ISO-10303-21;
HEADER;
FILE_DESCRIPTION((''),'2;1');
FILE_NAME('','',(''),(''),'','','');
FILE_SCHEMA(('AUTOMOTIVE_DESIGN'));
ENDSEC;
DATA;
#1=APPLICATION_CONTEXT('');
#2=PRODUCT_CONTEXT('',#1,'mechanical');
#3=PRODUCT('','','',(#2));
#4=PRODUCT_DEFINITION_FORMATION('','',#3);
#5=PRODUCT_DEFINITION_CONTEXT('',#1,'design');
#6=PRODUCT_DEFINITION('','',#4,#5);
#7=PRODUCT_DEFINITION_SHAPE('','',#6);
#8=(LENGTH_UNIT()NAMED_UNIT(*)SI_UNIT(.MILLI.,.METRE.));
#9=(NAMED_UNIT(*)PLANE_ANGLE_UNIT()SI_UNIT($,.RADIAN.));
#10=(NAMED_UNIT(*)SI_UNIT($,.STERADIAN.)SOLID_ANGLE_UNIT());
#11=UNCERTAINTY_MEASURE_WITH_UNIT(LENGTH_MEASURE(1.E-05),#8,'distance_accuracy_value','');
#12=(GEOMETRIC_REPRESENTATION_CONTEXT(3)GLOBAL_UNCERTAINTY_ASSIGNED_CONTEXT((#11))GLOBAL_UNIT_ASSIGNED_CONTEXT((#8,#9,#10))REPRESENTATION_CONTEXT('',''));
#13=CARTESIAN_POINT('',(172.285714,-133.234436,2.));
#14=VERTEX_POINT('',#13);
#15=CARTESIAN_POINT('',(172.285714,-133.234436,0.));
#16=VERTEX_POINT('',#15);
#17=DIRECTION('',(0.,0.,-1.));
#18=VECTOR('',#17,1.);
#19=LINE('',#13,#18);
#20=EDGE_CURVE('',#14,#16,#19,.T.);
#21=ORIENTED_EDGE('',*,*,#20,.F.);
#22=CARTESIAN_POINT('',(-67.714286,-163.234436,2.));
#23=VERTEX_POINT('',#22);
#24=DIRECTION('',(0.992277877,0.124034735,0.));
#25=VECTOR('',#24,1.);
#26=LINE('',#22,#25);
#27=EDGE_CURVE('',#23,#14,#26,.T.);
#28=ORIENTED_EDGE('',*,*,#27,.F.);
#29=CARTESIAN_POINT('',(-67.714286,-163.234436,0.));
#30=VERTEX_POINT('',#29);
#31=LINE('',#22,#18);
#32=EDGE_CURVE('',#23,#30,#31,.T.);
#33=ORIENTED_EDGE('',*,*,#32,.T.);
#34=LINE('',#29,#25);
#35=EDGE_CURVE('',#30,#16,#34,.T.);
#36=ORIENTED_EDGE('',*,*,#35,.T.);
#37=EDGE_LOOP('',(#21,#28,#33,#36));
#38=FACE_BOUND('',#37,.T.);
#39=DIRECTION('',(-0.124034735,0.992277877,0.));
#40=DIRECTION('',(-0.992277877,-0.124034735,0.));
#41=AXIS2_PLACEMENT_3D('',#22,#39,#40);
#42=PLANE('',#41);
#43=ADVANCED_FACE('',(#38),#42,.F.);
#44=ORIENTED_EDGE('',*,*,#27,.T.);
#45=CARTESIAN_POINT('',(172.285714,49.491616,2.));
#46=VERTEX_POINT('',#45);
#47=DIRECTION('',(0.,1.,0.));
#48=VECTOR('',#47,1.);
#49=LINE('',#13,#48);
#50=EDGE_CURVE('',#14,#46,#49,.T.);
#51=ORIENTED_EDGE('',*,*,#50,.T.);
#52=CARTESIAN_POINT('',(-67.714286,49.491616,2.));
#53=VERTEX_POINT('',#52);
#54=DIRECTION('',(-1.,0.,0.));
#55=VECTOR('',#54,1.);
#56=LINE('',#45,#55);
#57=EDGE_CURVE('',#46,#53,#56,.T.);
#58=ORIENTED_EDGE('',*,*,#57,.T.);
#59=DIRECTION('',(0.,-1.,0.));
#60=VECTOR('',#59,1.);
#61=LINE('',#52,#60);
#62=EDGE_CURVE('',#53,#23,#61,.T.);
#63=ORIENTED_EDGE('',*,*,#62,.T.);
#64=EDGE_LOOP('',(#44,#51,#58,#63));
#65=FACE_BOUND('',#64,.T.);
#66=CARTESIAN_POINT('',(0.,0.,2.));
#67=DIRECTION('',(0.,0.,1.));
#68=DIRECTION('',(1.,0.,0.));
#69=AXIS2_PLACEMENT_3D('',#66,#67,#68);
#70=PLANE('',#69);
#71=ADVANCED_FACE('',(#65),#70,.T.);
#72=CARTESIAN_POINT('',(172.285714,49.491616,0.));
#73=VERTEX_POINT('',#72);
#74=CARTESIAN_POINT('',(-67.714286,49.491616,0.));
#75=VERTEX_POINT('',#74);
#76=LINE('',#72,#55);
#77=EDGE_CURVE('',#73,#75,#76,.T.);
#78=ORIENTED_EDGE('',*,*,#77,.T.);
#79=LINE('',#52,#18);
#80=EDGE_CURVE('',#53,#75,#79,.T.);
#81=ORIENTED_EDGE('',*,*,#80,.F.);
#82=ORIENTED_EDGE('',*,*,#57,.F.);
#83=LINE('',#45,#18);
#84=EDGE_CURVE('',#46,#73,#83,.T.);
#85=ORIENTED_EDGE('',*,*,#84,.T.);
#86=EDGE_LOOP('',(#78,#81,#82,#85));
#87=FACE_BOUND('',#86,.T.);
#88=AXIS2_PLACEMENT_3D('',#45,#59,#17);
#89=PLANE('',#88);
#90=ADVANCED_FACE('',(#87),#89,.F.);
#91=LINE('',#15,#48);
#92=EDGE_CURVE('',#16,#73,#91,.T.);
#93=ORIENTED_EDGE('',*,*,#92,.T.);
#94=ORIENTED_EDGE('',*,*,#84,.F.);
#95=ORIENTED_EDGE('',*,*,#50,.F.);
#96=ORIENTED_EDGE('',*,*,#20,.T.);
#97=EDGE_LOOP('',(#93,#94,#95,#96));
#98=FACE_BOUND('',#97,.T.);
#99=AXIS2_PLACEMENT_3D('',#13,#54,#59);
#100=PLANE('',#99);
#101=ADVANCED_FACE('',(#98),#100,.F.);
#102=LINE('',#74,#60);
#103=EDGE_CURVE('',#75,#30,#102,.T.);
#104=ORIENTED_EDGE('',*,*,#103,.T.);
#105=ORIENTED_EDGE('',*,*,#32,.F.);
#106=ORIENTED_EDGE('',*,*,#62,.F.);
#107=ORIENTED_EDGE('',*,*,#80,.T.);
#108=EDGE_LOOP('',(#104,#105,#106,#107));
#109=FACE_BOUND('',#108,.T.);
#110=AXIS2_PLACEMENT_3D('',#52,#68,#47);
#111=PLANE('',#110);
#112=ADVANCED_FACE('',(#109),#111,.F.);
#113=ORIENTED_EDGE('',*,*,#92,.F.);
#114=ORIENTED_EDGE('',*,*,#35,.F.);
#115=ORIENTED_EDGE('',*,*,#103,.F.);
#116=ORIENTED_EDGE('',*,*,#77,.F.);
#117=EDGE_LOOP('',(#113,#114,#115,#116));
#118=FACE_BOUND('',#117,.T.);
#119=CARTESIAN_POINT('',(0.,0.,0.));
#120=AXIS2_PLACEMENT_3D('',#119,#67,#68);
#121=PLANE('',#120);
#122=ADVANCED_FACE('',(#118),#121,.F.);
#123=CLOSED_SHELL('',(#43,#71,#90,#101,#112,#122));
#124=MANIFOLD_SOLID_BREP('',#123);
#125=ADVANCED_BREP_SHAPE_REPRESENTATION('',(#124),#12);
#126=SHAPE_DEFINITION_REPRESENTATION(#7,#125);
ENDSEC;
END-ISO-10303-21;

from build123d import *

# Parameters (mm, degrees)
BOSS_EXTRUDE1_DEPTH = 2


with BuildPart() as part:
    # Sketch1 → Boss-Extrude1 (new body)
    with BuildSketch(Plane.XY):
        Polygon((172.285714286, -133.234435563), (172.285714286, 49.491616474), (-67.714285714, 49.491616474), (-67.714285714, -163.234435563), align=None)
    extrude(amount=BOSS_EXTRUDE1_DEPTH)


solid = part.part
